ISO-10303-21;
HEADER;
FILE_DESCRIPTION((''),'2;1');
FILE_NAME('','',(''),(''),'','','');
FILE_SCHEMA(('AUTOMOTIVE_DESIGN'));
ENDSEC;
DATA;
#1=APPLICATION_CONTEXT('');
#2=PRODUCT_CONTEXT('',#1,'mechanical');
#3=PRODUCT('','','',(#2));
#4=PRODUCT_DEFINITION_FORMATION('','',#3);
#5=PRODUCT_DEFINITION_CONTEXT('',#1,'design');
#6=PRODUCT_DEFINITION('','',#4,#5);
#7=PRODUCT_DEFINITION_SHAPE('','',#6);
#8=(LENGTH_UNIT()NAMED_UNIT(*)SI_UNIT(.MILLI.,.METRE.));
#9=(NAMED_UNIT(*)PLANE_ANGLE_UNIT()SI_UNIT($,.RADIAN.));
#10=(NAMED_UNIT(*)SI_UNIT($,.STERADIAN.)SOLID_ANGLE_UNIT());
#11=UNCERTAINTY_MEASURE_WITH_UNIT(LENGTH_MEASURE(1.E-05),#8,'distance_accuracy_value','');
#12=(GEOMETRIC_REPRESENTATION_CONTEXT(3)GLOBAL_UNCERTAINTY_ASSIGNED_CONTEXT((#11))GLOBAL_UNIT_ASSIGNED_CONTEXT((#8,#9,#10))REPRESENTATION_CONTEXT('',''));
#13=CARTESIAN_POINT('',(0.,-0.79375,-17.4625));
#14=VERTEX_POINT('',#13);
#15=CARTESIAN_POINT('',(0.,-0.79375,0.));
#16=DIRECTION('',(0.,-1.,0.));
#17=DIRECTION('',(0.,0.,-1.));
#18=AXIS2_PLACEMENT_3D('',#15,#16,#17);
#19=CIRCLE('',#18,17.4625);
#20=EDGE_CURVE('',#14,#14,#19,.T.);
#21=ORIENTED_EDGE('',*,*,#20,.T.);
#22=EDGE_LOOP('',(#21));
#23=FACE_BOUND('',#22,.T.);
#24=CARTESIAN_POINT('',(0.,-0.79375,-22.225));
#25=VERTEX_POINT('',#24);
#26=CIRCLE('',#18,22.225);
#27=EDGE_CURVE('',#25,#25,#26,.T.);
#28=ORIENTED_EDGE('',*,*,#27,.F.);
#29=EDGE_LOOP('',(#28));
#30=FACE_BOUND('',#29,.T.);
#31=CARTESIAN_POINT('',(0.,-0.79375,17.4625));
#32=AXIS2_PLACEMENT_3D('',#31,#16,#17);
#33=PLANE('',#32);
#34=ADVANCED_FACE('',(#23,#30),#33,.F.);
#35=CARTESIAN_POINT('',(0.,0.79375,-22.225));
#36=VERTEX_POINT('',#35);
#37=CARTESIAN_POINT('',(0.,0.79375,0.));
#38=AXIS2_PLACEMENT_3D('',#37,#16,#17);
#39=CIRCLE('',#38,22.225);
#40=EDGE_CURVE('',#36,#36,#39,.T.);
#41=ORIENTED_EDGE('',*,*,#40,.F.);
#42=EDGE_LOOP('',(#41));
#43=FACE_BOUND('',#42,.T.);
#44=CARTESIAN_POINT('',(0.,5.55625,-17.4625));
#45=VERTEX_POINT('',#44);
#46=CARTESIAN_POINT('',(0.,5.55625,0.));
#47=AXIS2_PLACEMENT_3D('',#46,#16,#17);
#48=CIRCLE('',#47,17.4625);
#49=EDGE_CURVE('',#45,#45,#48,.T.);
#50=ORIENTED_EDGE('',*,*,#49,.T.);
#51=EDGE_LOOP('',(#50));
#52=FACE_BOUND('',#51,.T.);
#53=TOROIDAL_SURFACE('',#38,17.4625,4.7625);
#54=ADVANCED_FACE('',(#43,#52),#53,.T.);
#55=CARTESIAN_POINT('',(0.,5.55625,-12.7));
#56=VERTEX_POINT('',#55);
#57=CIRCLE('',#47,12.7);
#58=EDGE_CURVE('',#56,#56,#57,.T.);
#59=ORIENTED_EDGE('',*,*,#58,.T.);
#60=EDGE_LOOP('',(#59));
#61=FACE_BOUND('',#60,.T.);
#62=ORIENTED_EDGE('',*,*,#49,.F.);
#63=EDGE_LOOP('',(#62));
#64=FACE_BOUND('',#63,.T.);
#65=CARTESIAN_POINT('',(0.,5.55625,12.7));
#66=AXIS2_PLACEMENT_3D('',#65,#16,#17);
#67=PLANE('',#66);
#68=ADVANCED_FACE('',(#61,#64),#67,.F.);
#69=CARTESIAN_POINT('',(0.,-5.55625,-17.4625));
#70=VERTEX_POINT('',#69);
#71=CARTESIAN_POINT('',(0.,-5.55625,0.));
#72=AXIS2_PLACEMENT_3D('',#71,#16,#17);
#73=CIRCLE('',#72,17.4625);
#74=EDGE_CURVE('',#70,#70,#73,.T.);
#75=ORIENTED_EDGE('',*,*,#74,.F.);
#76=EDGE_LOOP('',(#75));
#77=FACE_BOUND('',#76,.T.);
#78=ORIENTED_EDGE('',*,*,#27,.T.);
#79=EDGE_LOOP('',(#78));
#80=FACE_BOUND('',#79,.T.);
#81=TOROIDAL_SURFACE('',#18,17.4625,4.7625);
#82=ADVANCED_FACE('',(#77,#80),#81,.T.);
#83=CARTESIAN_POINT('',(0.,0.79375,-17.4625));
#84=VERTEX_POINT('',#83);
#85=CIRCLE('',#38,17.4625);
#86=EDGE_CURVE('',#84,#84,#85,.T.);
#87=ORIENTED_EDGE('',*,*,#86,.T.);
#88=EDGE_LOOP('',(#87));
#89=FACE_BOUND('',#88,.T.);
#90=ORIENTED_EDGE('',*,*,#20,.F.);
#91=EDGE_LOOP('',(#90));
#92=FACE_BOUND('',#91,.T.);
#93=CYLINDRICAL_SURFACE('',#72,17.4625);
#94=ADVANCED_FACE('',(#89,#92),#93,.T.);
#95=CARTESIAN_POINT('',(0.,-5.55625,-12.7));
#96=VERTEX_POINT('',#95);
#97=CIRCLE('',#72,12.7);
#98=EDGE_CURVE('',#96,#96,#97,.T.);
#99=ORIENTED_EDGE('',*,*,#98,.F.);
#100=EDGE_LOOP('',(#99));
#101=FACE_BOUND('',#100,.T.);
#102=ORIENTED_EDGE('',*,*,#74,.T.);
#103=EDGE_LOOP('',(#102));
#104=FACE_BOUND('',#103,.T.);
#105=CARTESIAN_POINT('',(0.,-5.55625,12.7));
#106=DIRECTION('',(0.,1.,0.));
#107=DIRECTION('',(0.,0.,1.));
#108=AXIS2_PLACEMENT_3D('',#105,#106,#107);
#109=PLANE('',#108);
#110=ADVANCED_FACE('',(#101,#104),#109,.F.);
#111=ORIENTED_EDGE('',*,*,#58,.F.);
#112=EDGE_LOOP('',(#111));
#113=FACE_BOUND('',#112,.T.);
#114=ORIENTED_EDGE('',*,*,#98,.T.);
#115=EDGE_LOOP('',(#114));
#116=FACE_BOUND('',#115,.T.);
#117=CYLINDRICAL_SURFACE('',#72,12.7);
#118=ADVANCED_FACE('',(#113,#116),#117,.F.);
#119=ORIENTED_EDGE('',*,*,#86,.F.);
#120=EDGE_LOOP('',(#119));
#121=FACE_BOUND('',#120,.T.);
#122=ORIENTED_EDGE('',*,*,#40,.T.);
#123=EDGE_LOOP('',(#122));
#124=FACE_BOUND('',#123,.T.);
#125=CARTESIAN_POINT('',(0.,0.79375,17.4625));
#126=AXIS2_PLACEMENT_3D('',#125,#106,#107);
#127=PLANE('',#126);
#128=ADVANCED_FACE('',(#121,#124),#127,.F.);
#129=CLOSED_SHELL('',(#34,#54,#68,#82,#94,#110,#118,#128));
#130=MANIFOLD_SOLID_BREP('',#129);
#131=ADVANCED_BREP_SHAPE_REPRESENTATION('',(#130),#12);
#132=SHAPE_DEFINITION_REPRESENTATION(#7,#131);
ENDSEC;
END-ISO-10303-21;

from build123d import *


with BuildPart() as part:
    # Sketch2 → Revolve1 (revolve)
    with BuildSketch(Plane(origin=(0, 0, 0), x_dir=(0, 0, -1), z_dir=(1, 0, 0))):
        with BuildLine():
            Line((-12.7, -5.55625), (-12.7, 5.55625))
            Line((-12.7, 5.55625), (-17.4625, 5.55625))
            ThreePointArc((-17.4625, 5.55625), (-20.830096045, 4.161346045), (-22.225, 0.79375))
            Line((-22.225, 0.79375), (-17.4625, 0.79375))
            Line((-17.4625, 0.79375), (-17.4625, -0.79375))
            Line((-17.4625, -0.79375), (-22.225, -0.79375))
            ThreePointArc((-22.225, -0.79375), (-20.830096045, -4.161346045), (-17.4625, -5.55625))
            Line((-17.4625, -5.55625), (-12.7, -5.55625))
        make_face()
    revolve(axis=Axis((0, -5.55625, 0), (0, 1, 0)))


solid = part.part
